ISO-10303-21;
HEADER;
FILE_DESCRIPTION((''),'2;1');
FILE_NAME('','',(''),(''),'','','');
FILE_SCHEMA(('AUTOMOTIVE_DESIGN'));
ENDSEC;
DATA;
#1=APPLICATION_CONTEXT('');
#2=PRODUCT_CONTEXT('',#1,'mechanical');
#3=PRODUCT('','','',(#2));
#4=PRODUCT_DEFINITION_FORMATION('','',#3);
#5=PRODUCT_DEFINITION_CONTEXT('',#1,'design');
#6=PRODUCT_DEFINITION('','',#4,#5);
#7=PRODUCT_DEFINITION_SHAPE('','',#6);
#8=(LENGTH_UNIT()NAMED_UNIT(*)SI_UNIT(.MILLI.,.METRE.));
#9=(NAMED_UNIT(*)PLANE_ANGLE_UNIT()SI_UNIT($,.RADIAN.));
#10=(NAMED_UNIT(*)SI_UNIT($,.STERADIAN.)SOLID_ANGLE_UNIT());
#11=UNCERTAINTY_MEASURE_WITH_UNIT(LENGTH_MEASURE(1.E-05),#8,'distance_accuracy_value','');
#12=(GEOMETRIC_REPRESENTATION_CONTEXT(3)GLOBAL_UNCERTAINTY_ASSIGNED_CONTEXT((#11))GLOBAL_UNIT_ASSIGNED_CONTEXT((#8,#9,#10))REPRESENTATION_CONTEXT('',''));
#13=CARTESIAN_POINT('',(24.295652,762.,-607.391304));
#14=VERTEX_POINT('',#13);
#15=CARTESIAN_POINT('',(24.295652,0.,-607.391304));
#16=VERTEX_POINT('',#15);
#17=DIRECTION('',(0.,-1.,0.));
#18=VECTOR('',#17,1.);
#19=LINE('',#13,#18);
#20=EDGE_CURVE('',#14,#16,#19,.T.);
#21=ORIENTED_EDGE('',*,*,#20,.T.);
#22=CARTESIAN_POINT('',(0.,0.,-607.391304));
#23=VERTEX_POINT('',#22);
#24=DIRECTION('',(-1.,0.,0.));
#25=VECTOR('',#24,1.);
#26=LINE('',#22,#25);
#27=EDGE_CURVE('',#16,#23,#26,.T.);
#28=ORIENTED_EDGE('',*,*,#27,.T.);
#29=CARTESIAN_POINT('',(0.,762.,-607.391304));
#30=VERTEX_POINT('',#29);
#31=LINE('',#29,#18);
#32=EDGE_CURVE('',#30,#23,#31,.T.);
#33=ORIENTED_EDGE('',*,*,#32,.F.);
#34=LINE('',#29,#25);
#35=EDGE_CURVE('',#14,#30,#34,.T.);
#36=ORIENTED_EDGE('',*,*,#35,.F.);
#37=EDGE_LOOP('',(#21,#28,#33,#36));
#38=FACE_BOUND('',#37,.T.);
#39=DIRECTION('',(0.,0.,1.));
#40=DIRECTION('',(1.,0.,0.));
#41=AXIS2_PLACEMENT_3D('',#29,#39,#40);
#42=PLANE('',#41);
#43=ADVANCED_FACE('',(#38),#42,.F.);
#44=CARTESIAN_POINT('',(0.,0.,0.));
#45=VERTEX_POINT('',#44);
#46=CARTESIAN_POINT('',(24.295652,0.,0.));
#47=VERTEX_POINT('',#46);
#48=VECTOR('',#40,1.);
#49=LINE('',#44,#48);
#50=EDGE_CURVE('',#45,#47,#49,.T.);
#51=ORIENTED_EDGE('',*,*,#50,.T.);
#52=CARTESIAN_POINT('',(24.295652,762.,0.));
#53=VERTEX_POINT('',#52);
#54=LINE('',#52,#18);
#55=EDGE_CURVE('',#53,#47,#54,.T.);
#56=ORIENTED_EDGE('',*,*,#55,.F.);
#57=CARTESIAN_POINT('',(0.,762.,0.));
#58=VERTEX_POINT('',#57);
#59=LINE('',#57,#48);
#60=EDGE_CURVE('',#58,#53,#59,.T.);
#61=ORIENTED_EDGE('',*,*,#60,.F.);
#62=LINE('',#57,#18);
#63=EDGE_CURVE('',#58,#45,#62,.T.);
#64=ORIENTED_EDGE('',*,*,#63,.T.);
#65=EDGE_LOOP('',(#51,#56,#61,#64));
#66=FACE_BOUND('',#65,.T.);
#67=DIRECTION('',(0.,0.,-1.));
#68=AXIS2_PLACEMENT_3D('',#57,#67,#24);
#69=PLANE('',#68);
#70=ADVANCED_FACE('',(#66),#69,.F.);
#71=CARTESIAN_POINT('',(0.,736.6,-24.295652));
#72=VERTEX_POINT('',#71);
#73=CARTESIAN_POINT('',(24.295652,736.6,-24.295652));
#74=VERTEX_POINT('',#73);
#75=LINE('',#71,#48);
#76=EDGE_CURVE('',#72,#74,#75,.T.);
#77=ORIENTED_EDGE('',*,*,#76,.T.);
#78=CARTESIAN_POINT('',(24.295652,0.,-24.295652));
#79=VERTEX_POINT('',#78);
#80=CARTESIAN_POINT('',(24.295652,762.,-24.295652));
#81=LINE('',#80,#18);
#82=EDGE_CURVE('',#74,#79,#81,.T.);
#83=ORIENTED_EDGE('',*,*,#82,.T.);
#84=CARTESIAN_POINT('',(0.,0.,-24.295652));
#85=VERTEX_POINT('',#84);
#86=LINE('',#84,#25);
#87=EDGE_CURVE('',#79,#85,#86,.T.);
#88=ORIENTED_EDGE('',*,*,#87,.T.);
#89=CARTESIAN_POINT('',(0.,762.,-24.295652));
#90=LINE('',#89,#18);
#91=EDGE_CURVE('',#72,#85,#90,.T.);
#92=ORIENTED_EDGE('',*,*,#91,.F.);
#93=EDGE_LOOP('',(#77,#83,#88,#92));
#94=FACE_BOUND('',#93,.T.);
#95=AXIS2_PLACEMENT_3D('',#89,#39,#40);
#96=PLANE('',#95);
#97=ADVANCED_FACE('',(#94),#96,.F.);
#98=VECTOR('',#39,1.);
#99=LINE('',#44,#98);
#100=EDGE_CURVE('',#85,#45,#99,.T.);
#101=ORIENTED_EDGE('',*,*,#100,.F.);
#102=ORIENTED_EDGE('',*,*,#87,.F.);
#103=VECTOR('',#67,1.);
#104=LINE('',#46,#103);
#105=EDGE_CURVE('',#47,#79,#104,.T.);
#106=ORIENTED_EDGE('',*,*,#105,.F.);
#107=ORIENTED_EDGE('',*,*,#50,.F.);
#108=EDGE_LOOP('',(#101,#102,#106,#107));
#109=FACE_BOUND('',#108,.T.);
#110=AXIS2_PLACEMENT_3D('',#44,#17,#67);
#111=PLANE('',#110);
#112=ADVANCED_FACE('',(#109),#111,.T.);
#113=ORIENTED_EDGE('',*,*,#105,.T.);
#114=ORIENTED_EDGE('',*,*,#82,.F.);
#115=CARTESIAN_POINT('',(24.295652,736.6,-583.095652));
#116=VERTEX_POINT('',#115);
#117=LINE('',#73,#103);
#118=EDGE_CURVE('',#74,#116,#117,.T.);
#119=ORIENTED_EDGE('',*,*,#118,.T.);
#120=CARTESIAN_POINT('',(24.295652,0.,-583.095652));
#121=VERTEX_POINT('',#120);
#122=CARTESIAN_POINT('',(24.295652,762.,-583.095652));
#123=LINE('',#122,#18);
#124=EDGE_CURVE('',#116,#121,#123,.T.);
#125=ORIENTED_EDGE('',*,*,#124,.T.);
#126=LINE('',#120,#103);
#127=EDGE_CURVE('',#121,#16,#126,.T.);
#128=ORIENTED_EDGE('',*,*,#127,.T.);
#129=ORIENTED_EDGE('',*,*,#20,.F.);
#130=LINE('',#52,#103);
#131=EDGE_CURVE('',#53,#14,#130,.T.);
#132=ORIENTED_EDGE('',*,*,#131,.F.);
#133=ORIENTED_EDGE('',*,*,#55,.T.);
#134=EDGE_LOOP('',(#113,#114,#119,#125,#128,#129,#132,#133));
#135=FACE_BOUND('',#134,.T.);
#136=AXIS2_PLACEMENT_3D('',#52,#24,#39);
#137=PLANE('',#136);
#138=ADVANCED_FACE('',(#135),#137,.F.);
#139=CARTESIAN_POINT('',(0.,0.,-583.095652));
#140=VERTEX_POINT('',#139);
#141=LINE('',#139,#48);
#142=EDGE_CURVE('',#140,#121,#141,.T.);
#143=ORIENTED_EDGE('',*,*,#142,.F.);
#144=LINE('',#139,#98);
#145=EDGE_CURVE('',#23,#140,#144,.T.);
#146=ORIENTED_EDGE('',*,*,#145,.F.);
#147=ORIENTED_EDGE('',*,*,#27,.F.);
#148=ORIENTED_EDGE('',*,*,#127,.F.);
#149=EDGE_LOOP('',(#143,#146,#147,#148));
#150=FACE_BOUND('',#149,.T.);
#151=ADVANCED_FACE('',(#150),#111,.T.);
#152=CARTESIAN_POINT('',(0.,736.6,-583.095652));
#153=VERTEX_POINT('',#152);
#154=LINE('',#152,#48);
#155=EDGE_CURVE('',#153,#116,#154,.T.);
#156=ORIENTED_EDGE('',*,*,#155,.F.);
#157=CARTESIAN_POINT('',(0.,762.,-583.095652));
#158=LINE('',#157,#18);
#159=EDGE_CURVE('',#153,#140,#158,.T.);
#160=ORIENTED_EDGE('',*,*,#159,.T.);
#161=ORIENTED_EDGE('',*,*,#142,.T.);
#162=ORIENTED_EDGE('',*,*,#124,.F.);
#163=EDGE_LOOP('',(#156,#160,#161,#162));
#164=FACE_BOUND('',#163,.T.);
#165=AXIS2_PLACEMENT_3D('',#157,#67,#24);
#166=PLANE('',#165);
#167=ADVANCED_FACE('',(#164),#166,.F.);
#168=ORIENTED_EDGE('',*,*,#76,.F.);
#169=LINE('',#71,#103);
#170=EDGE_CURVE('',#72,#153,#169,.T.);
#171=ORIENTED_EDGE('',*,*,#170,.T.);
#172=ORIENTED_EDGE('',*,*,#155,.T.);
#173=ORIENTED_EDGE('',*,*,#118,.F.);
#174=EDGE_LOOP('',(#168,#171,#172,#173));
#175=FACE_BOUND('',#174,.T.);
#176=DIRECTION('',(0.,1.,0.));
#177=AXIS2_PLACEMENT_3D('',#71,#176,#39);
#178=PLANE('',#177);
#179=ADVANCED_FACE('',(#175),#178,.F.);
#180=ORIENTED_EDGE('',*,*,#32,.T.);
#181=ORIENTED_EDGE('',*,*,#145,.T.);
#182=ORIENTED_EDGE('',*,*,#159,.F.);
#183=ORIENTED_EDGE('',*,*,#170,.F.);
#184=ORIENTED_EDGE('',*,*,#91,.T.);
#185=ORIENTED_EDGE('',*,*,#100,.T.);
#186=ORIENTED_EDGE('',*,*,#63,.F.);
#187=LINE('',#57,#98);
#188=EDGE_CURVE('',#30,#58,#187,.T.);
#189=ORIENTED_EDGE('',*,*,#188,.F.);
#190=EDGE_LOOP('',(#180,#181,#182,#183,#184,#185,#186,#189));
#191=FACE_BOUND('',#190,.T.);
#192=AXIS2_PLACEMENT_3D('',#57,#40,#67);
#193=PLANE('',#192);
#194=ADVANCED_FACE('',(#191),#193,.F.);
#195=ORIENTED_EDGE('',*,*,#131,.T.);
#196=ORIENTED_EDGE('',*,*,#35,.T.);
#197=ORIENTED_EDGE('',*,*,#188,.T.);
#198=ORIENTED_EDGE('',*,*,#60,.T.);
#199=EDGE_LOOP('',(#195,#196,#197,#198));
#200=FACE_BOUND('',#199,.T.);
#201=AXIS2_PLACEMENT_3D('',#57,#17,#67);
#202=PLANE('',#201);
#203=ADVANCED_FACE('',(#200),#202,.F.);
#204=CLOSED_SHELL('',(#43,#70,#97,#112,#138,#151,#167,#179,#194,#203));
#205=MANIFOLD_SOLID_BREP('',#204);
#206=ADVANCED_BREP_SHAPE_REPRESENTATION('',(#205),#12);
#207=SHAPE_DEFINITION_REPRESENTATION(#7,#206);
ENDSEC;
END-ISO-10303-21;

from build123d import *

# Parameters (mm, degrees)
SKETCH2_W             = 24.295652174
SKETCH2_H             = 24.295652174
BOSS_EXTRUDE1_DEPTH   = 762
BOSS_EXTRUDE1_2_DEPTH = 762
SKETCH3_W             = 24.295652174
SKETCH3_H             = 25.4
BOSS_EXTRUDE2_DEPTH   = 558.8


with BuildPart() as part:
    # Sketch2 → Boss-Extrude1 (new body)
    with BuildSketch(Plane(origin=(0, 0, 0), x_dir=(1, 0, 0), z_dir=(0, 1, 0))):
        with Locations((12.147826087, 12.147826087)):
            Rectangle(SKETCH2_W, SKETCH2_H)
    extrude(amount=BOSS_EXTRUDE1_DEPTH)



with BuildPart() as body_2:
    # Sketch2 → Boss-Extrude1 2 (new body)
    with BuildSketch(Plane(origin=(0, 0, 0), x_dir=(1, 0, 0), z_dir=(0, 1, 0))):
        with Locations((12.147826087, 595.243478261)):
            Rectangle(SKETCH2_W, SKETCH2_H)
    extrude(amount=BOSS_EXTRUDE1_2_DEPTH)


with BuildPart() as part_1:
    add(part.part)

    add(body_2.part)  # Boss-Extrude2 merges body 2
    # Sketch3 → Boss-Extrude2 (add)
    with BuildSketch(Plane.XY.offset(-583.095652174)):
        with Locations((12.147826087, 749.3)):
            Rectangle(SKETCH3_W, SKETCH3_H)
    extrude(amount=BOSS_EXTRUDE2_DEPTH)


solid = part_1.part
